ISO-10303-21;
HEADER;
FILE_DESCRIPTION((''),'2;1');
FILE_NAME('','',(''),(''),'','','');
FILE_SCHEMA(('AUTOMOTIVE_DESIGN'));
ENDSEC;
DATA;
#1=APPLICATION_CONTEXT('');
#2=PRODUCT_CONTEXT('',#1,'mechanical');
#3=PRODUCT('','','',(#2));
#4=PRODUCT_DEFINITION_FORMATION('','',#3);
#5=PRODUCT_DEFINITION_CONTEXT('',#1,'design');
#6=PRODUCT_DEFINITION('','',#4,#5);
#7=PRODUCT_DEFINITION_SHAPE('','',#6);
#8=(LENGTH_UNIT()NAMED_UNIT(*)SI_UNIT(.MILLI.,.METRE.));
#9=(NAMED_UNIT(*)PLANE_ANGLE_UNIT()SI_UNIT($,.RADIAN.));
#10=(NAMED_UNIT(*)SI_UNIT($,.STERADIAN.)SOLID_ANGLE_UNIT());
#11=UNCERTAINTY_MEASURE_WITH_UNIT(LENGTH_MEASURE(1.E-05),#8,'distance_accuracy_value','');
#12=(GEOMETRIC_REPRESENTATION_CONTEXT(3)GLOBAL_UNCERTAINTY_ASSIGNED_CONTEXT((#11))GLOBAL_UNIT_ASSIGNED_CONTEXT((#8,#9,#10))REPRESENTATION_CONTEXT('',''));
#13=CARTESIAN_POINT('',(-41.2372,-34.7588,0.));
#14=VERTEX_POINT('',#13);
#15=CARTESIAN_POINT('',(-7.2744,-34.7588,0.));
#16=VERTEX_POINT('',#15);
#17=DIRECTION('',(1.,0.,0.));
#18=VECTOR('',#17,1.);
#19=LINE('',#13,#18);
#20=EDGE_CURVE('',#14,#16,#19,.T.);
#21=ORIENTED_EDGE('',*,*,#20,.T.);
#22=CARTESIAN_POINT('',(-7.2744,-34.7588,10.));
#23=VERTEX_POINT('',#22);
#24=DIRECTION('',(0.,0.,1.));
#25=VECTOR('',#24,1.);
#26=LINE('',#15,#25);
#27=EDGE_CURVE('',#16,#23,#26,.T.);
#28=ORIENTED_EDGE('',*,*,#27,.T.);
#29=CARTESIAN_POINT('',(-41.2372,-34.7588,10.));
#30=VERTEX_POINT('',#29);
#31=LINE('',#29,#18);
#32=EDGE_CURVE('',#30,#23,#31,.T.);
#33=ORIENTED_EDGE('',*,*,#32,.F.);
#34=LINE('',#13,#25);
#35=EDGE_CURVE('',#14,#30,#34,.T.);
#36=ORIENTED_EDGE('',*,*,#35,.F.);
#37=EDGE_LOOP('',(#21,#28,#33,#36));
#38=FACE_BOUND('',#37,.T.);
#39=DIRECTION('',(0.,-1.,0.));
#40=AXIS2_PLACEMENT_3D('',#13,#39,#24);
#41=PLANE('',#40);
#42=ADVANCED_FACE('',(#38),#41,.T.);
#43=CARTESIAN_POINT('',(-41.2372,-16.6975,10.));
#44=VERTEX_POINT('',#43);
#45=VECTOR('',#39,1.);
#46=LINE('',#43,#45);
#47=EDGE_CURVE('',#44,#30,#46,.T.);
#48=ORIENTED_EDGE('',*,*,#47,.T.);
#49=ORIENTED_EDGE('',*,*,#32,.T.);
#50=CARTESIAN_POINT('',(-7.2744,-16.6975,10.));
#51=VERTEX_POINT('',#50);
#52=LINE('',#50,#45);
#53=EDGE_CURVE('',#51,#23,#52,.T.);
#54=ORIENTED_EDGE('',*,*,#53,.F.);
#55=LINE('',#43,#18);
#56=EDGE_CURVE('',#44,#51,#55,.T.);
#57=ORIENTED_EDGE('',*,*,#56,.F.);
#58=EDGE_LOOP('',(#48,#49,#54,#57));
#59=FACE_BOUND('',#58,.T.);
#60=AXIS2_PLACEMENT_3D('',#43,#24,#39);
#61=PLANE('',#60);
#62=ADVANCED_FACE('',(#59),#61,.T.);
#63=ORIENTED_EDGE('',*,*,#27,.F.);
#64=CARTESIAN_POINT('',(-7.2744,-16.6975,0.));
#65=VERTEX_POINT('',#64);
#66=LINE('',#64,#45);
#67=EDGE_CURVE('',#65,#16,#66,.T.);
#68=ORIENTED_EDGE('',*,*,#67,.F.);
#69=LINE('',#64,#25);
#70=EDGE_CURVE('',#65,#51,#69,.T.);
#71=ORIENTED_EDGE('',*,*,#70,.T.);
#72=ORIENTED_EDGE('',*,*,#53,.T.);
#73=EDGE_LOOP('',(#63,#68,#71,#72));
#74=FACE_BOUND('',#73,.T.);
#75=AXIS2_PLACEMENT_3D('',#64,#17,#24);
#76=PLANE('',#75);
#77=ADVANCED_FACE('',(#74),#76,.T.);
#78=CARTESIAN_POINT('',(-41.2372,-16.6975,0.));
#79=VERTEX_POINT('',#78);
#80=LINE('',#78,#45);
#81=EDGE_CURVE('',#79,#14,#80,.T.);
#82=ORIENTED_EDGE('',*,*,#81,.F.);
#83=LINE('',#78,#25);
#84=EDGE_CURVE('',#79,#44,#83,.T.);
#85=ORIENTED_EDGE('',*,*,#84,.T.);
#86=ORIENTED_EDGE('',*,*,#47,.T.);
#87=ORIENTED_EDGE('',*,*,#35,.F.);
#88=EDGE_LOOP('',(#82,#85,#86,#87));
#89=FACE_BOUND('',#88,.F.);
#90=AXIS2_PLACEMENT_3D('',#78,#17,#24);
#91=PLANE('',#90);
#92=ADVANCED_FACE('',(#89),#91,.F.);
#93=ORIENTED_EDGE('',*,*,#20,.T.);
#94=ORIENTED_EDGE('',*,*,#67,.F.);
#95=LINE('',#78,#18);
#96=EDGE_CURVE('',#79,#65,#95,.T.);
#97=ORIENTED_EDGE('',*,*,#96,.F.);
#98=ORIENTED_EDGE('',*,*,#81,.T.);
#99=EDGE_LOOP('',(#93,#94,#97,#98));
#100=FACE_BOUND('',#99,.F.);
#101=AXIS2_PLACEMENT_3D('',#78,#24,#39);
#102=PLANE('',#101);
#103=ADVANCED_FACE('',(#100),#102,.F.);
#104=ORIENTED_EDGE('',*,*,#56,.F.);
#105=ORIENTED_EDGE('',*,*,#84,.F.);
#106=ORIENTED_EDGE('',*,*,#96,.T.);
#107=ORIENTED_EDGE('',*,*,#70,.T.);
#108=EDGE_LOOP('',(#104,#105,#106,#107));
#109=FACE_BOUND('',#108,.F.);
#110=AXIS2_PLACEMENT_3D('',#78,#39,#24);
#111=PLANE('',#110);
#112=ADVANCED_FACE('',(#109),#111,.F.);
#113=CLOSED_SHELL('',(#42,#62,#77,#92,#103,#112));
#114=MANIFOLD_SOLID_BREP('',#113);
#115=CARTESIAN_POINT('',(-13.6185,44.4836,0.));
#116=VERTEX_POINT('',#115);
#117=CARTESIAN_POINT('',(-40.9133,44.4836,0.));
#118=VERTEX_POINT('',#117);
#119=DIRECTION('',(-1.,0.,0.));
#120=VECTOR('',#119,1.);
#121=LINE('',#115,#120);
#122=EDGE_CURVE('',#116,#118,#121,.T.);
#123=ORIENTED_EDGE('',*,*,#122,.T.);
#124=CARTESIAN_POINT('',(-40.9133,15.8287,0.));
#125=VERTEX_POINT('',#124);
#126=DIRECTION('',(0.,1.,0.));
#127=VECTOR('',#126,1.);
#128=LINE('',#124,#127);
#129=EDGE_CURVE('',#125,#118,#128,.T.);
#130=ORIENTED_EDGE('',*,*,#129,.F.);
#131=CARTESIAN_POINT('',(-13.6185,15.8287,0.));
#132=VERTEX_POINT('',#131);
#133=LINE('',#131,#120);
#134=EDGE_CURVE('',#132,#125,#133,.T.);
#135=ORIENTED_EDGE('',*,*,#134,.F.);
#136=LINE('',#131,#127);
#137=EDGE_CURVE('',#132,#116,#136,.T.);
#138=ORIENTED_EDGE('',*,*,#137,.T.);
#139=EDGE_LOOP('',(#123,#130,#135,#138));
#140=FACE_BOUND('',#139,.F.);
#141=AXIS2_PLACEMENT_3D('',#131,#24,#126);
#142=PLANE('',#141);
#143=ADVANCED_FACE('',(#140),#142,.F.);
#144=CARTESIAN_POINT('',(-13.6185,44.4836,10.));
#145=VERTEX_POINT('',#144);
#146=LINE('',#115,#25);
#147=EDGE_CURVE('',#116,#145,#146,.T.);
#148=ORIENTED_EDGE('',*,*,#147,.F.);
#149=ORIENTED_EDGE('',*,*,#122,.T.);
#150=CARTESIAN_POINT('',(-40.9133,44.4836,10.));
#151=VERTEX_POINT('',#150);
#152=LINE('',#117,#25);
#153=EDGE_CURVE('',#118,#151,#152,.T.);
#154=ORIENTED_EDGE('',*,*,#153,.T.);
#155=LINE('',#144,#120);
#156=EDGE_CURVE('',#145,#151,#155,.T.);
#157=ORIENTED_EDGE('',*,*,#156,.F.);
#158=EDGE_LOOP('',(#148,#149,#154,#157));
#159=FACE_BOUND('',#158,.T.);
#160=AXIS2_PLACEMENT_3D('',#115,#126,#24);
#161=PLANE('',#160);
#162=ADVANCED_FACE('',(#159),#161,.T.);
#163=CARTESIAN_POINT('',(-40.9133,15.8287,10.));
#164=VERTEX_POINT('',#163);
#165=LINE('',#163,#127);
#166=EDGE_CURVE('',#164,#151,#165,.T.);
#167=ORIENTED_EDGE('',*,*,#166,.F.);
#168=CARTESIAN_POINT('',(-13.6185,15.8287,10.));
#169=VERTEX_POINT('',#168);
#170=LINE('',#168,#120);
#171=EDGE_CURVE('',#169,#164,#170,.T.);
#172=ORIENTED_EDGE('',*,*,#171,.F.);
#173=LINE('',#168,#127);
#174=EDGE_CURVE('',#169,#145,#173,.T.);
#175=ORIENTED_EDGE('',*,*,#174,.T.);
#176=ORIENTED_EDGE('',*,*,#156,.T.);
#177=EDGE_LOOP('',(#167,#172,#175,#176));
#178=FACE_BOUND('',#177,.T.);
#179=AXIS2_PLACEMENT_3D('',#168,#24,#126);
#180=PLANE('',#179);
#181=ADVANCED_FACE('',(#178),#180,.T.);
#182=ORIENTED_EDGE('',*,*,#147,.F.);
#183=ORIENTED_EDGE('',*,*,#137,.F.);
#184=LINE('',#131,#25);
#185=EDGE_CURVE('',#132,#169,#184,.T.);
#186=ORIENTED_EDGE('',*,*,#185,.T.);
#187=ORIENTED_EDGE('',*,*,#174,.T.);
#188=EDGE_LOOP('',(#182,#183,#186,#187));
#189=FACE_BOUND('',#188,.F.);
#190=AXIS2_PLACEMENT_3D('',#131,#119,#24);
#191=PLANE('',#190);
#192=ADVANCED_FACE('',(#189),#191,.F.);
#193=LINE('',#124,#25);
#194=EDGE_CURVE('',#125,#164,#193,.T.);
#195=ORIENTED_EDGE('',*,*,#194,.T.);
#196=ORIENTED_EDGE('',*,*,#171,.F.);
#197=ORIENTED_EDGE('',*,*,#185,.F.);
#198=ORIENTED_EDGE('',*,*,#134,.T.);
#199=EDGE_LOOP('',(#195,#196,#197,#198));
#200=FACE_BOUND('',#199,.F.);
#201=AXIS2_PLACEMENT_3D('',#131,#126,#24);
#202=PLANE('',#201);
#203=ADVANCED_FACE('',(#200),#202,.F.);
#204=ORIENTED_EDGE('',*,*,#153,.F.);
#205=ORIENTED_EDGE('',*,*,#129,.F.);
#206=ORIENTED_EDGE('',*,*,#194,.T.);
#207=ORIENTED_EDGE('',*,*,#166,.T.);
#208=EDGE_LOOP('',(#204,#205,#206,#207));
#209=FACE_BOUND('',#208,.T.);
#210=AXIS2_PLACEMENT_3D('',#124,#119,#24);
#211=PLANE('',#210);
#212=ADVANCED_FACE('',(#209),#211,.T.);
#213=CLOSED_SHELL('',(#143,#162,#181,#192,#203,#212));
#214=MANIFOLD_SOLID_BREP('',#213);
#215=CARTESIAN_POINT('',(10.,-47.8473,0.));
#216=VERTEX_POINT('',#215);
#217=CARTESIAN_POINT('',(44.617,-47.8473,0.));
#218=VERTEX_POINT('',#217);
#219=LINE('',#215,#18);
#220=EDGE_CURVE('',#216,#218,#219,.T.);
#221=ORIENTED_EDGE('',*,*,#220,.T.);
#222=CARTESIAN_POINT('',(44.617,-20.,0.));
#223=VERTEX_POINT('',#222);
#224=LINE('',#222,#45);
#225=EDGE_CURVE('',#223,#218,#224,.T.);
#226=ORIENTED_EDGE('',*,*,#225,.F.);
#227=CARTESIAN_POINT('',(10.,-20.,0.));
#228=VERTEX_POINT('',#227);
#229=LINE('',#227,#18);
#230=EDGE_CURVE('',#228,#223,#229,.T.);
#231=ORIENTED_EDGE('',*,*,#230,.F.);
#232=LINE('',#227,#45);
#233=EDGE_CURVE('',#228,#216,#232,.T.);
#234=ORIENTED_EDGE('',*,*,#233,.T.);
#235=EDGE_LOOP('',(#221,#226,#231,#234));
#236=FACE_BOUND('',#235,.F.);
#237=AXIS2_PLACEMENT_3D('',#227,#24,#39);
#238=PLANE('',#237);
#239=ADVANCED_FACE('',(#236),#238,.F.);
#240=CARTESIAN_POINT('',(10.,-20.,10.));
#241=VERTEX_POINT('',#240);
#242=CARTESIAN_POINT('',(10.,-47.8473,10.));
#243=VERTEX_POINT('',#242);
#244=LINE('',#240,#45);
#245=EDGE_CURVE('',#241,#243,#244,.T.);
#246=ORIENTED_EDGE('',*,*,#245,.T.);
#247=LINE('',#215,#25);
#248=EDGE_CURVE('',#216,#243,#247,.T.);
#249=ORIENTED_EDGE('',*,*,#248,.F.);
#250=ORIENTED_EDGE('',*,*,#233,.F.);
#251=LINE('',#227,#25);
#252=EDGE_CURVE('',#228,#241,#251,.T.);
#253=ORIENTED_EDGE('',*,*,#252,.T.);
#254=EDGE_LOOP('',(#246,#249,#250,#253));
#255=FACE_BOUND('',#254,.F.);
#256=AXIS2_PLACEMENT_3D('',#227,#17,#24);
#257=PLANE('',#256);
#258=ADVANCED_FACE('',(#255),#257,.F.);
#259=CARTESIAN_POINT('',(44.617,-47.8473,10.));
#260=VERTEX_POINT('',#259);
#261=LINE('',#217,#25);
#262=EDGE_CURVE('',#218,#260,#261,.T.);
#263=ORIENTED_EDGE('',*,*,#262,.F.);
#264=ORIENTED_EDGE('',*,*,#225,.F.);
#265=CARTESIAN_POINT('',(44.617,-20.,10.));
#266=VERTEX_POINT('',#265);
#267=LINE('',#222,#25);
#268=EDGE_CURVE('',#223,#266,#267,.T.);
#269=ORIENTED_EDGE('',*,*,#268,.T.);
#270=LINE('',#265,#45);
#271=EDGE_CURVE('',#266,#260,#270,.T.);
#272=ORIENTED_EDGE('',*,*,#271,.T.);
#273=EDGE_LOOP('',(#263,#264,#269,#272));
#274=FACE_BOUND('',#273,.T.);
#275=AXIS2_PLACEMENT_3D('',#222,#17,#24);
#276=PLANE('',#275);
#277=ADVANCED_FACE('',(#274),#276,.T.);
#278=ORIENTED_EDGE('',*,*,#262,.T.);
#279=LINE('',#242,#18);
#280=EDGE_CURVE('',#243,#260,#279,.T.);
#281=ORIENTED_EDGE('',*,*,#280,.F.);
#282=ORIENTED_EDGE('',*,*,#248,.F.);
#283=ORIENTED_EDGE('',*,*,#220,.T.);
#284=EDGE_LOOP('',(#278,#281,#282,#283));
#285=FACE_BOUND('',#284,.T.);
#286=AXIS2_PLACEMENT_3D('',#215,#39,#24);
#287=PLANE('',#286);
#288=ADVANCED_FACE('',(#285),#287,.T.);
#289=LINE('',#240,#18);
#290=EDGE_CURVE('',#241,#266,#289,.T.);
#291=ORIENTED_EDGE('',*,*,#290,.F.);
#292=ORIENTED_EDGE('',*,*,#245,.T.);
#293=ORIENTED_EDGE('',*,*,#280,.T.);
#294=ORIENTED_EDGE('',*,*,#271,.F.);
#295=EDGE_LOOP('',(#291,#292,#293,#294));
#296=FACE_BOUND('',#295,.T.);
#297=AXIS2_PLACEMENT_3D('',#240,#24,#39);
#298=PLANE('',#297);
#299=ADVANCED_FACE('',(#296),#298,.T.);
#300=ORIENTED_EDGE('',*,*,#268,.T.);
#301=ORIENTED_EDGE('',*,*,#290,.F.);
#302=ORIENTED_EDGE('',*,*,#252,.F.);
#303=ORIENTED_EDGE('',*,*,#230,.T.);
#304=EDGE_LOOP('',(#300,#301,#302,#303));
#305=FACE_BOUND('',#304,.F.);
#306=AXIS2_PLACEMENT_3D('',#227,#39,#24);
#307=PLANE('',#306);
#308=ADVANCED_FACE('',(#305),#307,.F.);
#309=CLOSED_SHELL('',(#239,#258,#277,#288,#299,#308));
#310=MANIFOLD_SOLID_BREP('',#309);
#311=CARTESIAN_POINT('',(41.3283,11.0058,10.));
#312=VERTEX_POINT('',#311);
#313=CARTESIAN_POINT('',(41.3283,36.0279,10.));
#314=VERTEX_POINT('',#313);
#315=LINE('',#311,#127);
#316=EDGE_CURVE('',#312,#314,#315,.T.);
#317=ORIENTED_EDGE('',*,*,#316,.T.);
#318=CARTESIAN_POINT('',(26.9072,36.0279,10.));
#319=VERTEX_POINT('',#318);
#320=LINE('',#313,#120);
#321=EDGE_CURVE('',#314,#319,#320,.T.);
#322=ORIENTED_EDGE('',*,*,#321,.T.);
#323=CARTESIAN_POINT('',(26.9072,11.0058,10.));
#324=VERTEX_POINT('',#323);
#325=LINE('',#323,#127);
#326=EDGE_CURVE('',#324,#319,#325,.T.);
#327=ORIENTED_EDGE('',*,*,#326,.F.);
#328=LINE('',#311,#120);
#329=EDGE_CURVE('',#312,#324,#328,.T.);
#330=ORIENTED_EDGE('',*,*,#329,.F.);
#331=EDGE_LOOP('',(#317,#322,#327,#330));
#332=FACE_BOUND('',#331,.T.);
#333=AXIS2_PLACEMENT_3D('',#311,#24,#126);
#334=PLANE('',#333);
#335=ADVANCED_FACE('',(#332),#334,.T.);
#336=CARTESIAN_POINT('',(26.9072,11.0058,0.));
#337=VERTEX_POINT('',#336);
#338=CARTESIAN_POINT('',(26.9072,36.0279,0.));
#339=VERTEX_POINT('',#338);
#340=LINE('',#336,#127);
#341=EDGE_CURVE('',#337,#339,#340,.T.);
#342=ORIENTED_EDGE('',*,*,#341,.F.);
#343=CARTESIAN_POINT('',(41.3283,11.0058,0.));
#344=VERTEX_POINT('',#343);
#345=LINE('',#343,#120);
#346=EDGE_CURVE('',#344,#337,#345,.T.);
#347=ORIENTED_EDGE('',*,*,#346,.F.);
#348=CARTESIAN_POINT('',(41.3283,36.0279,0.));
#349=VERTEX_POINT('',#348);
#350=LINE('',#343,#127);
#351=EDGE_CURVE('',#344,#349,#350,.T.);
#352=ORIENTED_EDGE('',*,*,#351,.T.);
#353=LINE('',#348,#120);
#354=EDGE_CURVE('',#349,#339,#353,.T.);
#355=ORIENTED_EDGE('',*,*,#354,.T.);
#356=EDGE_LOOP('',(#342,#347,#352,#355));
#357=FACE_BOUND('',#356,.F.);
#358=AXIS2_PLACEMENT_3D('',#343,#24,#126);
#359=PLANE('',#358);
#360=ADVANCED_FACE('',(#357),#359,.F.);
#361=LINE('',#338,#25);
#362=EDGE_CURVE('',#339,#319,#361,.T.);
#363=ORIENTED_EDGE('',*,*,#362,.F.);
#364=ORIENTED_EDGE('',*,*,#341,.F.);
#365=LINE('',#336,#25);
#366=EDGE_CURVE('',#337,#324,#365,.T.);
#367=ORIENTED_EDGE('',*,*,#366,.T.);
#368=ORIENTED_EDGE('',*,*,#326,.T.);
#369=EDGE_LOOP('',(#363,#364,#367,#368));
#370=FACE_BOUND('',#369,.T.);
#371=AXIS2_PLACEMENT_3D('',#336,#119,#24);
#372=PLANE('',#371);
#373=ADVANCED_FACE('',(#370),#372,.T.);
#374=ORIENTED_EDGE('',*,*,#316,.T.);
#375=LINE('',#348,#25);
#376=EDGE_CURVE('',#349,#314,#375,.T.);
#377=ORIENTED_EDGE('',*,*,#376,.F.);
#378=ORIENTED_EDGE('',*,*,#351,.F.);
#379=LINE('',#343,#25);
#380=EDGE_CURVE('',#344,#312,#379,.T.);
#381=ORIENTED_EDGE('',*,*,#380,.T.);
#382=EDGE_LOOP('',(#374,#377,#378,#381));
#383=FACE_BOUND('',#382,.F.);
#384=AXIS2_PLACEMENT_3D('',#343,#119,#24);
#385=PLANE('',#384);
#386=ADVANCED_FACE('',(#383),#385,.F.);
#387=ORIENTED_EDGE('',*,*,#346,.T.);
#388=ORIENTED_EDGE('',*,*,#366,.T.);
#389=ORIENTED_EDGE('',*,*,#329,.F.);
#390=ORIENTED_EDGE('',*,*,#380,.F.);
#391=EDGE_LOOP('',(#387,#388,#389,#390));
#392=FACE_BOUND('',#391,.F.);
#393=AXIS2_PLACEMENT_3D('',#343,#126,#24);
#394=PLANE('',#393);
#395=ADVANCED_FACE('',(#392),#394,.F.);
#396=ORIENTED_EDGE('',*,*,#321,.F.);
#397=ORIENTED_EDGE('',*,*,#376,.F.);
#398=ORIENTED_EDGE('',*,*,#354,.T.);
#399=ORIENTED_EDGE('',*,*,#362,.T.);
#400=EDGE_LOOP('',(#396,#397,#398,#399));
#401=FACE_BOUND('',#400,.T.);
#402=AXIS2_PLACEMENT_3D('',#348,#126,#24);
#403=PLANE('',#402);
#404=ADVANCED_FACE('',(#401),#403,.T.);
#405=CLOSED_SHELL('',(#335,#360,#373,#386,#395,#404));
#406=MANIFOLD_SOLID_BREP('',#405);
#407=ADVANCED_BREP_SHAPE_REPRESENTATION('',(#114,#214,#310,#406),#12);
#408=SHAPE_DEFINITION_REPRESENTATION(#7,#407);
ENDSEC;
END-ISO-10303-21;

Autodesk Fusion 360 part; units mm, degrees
box "BoxPrimitive1" add length 25.0221 width 14.4211 height 10 placed x (0, 1, 0) y (-1, 0, 0) z (0, 0, 1) at (41.3283, 11.0058, 0) makes body 1
box "BoxPrimitive2" add length 28.6549 width 27.2948 height 10 placed x (0, 1, 0) y (-1, 0, 0) z (0, 0, 1) at (-13.6185, 15.8287, 0) separate body makes body 2
box "BoxPrimitive3" add length 18.0613 width 33.9628 height 10 placed x (0, -1, 0) y (1, 0, 0) z (0, 0, 1) at (-41.2372, -16.6975, 0) separate body makes body 3
box "BoxPrimitive4" add length 27.8473 width 34.617 height 10 placed x (0, -1, 0) y (1, 0, 0) z (0, 0, 1) at (10, -20, 0) separate body makes body 4
